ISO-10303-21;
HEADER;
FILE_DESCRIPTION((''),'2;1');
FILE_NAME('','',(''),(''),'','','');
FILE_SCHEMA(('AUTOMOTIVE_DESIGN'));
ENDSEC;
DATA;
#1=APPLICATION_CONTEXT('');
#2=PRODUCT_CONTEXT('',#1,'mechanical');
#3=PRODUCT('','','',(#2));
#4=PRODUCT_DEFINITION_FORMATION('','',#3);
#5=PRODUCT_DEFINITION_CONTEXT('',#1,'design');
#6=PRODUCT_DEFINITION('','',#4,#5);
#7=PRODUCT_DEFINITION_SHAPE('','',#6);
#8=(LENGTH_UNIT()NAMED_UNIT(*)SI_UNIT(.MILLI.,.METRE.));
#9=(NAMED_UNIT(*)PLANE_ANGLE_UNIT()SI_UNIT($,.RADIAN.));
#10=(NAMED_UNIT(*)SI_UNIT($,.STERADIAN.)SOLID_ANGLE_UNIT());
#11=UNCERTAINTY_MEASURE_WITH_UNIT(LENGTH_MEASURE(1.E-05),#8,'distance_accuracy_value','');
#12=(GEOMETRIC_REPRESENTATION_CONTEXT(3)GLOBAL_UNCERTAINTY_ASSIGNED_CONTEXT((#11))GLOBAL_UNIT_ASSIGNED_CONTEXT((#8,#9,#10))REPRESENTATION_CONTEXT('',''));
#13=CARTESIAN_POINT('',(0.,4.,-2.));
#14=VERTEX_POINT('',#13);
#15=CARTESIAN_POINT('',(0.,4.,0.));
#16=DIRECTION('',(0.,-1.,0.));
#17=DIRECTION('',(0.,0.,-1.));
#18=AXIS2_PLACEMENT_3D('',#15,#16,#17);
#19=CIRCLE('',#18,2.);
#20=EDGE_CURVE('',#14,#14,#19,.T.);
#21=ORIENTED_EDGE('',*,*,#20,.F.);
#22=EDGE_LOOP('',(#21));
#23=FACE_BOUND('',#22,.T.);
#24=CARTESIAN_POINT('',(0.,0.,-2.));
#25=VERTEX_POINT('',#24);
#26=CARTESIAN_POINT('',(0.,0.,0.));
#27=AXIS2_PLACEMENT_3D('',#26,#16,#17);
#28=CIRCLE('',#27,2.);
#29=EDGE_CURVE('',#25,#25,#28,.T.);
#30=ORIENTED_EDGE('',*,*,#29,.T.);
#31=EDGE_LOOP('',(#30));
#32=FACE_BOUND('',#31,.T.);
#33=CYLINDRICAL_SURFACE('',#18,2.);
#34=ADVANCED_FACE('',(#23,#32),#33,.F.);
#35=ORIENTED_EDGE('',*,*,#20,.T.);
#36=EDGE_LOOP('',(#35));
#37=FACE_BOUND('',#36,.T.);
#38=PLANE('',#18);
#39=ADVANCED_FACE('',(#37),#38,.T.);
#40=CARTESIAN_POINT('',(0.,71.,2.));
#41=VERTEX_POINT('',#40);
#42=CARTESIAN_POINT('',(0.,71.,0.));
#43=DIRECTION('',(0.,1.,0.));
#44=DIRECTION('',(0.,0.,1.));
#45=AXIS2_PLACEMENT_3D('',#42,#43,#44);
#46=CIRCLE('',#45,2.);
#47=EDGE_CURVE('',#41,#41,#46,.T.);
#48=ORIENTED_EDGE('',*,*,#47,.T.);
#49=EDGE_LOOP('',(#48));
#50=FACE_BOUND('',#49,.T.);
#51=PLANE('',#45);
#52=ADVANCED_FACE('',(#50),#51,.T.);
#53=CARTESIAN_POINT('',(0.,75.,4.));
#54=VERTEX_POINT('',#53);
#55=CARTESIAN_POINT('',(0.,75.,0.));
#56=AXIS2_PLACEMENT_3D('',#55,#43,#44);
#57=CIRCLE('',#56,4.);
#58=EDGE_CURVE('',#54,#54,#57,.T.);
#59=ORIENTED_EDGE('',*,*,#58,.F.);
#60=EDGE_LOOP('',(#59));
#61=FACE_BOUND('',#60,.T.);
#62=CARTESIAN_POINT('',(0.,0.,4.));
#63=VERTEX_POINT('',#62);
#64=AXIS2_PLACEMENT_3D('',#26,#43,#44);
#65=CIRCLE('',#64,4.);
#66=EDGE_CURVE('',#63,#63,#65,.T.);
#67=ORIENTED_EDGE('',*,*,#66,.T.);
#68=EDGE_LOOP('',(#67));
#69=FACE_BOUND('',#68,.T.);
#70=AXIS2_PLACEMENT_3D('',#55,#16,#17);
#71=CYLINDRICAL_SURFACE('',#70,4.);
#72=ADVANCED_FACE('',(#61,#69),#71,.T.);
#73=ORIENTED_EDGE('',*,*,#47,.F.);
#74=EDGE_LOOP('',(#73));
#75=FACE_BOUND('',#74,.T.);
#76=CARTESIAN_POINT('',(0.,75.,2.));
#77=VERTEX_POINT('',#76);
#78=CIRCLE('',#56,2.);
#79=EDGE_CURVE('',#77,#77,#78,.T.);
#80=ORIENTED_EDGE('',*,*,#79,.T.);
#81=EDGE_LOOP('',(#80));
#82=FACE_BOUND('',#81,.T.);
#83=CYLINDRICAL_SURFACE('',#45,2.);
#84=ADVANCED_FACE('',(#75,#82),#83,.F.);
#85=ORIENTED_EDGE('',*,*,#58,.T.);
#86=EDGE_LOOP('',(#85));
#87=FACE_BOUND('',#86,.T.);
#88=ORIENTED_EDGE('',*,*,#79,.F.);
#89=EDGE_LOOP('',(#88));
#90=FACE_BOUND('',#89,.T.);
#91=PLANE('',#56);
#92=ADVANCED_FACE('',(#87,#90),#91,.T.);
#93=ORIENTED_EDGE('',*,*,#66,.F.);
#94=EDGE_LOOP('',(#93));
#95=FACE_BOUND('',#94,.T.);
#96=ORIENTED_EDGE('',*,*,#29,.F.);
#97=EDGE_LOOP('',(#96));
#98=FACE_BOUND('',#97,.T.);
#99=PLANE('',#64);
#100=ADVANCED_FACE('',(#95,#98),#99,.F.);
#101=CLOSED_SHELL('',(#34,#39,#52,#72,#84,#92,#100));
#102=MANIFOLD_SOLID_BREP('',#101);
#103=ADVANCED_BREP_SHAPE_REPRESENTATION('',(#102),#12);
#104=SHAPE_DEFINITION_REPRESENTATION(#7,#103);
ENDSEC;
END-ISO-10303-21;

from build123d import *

# Parameters (mm, degrees)
SKETCH_1_R          = 4
EXTRUDE_1_DEPTH     = 75
SKETCH_2_R          = 2
CUT_EXTRUDE_1_DEPTH = 4
SKETCH_3_R          = 2
CUT_EXTRUDE_2_DEPTH = 4


with BuildPart() as part:
    # 草圖1 → 填料-伸長1 (new body)
    with BuildSketch(Plane(origin=(0, 0, 0), x_dir=(1, 0, 0), z_dir=(0, 1, 0))):
        Circle(SKETCH_1_R)
    extrude(amount=EXTRUDE_1_DEPTH)

    # 草圖2 → 除料-伸長1 (cut)
    with BuildSketch(Plane(origin=(0, 75, 0), x_dir=(1, 0, 0), z_dir=(0, 1, 0))):
        Circle(SKETCH_2_R)
    extrude(amount=-CUT_EXTRUDE_1_DEPTH, mode=Mode.SUBTRACT)

    # 草圖3 → 除料-伸長2 (cut)
    with BuildSketch(Plane.XZ):
        Circle(SKETCH_3_R)
    extrude(amount=-CUT_EXTRUDE_2_DEPTH, mode=Mode.SUBTRACT)


solid = part.part
